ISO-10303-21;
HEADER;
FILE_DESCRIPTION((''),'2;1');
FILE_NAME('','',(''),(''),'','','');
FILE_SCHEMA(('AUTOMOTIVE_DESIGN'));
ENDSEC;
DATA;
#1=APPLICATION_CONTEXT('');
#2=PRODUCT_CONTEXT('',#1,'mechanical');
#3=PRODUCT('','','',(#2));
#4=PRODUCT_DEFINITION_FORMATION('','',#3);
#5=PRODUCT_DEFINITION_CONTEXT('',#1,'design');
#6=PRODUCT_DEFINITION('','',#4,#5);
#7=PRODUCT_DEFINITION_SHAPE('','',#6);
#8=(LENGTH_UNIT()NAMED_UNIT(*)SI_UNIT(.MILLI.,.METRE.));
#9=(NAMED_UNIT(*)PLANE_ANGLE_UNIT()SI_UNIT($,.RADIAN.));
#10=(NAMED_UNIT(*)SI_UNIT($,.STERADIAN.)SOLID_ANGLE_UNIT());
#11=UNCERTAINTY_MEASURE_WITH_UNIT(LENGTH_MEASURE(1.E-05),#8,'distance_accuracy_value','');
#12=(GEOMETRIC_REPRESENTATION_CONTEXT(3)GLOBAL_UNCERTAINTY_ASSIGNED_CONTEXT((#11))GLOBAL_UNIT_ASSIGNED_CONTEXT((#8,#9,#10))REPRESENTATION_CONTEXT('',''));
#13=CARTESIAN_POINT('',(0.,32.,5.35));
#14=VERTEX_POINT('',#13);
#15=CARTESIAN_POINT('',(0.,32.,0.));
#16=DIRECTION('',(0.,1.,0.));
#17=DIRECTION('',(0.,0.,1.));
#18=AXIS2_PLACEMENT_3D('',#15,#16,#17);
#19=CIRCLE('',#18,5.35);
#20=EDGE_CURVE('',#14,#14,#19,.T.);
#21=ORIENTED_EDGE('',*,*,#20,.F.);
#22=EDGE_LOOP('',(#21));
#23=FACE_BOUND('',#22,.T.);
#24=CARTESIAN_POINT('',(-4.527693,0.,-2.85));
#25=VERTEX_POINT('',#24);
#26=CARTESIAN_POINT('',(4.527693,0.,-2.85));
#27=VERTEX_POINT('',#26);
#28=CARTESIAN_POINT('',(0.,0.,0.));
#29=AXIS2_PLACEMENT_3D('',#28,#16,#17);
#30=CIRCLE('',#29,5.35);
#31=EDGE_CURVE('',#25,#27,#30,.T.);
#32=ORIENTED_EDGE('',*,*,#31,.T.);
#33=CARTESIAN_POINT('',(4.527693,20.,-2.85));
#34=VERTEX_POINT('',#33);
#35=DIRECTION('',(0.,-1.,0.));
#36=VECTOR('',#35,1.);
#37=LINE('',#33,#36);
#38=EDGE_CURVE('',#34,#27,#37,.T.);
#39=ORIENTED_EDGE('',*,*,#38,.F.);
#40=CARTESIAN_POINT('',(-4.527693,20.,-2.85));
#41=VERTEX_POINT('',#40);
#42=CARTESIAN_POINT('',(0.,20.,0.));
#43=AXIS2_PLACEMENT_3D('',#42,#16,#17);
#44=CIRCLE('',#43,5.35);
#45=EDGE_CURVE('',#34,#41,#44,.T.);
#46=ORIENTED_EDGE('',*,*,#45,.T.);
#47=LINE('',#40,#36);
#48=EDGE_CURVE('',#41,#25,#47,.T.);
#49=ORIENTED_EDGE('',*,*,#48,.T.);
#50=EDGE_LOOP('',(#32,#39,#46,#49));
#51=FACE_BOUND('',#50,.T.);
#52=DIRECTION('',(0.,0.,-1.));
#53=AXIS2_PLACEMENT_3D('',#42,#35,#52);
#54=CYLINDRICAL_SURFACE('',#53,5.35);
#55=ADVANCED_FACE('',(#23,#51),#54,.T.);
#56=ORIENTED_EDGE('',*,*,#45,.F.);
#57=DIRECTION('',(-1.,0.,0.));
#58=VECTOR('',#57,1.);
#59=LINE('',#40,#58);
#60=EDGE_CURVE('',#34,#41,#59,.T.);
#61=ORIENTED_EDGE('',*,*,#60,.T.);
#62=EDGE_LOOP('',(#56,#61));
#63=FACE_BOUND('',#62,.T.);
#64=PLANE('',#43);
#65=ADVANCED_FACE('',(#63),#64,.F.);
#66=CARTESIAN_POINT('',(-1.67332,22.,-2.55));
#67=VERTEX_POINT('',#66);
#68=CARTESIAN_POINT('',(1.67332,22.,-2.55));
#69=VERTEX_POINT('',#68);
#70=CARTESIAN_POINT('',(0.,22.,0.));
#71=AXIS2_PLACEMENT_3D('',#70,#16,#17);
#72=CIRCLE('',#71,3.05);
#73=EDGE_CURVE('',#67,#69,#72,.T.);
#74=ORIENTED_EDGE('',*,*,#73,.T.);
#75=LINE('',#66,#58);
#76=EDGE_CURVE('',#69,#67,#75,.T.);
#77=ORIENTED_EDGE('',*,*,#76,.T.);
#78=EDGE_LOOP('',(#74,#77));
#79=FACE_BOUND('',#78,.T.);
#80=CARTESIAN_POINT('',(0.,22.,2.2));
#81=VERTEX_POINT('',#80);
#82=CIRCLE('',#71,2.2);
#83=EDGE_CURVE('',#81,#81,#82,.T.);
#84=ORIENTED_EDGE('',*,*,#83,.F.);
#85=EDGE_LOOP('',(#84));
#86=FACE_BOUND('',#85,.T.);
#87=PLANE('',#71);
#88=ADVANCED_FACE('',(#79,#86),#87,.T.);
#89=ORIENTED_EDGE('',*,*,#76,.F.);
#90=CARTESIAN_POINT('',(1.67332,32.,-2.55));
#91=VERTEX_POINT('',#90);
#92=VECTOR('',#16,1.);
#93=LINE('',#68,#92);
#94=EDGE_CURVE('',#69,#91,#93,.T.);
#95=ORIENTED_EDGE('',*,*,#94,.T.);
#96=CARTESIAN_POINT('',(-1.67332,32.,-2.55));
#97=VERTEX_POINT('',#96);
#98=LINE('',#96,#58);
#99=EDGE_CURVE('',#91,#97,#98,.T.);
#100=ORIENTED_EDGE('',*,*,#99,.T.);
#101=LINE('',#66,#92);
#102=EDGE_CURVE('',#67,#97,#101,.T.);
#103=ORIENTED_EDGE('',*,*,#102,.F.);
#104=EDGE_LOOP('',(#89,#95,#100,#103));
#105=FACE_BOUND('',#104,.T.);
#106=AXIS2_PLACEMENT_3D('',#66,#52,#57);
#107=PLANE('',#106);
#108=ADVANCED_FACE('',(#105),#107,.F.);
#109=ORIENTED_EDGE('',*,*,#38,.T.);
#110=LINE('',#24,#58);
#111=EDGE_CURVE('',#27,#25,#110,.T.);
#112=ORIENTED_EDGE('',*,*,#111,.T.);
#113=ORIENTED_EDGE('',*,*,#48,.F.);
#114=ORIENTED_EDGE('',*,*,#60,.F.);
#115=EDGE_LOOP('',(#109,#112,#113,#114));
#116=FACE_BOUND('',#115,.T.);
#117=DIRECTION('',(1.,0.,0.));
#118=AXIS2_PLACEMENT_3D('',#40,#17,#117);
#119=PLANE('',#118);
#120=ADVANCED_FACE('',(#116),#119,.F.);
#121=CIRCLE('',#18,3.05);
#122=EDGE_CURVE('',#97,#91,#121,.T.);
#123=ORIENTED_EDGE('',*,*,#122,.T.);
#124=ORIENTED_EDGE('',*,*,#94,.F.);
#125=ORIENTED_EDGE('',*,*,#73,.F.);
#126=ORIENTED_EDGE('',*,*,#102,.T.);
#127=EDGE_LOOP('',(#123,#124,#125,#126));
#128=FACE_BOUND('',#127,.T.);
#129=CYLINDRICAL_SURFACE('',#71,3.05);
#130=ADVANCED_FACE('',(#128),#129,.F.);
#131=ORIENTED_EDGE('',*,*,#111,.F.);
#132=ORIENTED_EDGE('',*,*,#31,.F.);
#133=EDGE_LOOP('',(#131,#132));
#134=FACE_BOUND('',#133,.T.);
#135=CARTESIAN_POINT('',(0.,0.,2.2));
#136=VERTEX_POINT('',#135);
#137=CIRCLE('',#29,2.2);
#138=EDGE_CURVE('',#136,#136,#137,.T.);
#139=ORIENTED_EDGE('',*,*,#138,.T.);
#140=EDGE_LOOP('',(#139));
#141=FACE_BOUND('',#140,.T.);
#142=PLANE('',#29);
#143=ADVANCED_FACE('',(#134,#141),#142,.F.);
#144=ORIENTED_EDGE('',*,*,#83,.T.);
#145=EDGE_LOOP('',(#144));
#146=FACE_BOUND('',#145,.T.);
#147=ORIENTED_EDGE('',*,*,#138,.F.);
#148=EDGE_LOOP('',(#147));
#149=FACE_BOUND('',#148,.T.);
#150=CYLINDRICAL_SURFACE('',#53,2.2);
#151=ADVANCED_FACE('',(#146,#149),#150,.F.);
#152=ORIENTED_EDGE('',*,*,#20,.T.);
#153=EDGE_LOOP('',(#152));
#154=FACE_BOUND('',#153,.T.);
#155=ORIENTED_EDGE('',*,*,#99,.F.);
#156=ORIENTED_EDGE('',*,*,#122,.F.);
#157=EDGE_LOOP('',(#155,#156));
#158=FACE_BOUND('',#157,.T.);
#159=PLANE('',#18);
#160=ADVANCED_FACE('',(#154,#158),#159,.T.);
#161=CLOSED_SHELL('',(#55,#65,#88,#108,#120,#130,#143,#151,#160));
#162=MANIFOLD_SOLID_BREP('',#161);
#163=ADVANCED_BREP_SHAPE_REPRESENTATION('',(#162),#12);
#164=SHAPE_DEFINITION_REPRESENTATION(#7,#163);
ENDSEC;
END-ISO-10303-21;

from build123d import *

# Parameters (mm, degrees)
IZIM1_R                     = 2.2
Y_KSEKLIK_EKSTR_ZYON1_DEPTH = 20
IZIM2_R                     = 5.35
IZIM2_R_2                   = 2.2
Y_KSEKLIK_EKSTR_ZYON2_DEPTH = 12
KES_EKSTR_ZYON1_DEPTH       = 10


with BuildPart() as part:
    # Çizim1 → Yükseklik-Ekstrüzyon1 (new body)
    with BuildSketch(Plane(origin=(0, 0, 0), x_dir=(1, 0, 0), z_dir=(0, 1, 0))):
        with BuildLine():
            Line((-4.527692569, 2.85), (4.527692569, 2.85))
            ThreePointArc((4.527692569, 2.85), (0, -5.35), (-4.527692569, 2.85))
        make_face()
        with Locations(Location((0, 0, 0), (0, 0, 270))):
            Circle(IZIM1_R, mode=Mode.SUBTRACT)
    extrude(amount=Y_KSEKLIK_EKSTR_ZYON1_DEPTH)

    # Çizim2 → Yükseklik-Ekstrüzyon2 (add)
    with BuildSketch(Plane(origin=(0, 20, 0), x_dir=(1, 0, 0), z_dir=(0, 1, 0))):
        with Locations(Location((0, 0, 0), (0, 0, 32.188761118))):
            Circle(IZIM2_R)
        with Locations(Location((0, 0, 0), (0, 0, 270))):
            Circle(IZIM2_R_2, mode=Mode.SUBTRACT)
    extrude(amount=Y_KSEKLIK_EKSTR_ZYON2_DEPTH)

    # Çizim3 → Kes-Ekstrüzyon1 (cut)
    with BuildSketch(Plane(origin=(0, 32, 0), x_dir=(1, 0, 0), z_dir=(0, 1, 0))):
        with BuildLine():
            Line((-1.673320053, 2.55), (1.673320053, 2.55))
            ThreePointArc((1.673320053, 2.55), (0, -3.05), (-1.673320053, 2.55))
        make_face()
    extrude(amount=-KES_EKSTR_ZYON1_DEPTH, mode=Mode.SUBTRACT)


solid = part.part
